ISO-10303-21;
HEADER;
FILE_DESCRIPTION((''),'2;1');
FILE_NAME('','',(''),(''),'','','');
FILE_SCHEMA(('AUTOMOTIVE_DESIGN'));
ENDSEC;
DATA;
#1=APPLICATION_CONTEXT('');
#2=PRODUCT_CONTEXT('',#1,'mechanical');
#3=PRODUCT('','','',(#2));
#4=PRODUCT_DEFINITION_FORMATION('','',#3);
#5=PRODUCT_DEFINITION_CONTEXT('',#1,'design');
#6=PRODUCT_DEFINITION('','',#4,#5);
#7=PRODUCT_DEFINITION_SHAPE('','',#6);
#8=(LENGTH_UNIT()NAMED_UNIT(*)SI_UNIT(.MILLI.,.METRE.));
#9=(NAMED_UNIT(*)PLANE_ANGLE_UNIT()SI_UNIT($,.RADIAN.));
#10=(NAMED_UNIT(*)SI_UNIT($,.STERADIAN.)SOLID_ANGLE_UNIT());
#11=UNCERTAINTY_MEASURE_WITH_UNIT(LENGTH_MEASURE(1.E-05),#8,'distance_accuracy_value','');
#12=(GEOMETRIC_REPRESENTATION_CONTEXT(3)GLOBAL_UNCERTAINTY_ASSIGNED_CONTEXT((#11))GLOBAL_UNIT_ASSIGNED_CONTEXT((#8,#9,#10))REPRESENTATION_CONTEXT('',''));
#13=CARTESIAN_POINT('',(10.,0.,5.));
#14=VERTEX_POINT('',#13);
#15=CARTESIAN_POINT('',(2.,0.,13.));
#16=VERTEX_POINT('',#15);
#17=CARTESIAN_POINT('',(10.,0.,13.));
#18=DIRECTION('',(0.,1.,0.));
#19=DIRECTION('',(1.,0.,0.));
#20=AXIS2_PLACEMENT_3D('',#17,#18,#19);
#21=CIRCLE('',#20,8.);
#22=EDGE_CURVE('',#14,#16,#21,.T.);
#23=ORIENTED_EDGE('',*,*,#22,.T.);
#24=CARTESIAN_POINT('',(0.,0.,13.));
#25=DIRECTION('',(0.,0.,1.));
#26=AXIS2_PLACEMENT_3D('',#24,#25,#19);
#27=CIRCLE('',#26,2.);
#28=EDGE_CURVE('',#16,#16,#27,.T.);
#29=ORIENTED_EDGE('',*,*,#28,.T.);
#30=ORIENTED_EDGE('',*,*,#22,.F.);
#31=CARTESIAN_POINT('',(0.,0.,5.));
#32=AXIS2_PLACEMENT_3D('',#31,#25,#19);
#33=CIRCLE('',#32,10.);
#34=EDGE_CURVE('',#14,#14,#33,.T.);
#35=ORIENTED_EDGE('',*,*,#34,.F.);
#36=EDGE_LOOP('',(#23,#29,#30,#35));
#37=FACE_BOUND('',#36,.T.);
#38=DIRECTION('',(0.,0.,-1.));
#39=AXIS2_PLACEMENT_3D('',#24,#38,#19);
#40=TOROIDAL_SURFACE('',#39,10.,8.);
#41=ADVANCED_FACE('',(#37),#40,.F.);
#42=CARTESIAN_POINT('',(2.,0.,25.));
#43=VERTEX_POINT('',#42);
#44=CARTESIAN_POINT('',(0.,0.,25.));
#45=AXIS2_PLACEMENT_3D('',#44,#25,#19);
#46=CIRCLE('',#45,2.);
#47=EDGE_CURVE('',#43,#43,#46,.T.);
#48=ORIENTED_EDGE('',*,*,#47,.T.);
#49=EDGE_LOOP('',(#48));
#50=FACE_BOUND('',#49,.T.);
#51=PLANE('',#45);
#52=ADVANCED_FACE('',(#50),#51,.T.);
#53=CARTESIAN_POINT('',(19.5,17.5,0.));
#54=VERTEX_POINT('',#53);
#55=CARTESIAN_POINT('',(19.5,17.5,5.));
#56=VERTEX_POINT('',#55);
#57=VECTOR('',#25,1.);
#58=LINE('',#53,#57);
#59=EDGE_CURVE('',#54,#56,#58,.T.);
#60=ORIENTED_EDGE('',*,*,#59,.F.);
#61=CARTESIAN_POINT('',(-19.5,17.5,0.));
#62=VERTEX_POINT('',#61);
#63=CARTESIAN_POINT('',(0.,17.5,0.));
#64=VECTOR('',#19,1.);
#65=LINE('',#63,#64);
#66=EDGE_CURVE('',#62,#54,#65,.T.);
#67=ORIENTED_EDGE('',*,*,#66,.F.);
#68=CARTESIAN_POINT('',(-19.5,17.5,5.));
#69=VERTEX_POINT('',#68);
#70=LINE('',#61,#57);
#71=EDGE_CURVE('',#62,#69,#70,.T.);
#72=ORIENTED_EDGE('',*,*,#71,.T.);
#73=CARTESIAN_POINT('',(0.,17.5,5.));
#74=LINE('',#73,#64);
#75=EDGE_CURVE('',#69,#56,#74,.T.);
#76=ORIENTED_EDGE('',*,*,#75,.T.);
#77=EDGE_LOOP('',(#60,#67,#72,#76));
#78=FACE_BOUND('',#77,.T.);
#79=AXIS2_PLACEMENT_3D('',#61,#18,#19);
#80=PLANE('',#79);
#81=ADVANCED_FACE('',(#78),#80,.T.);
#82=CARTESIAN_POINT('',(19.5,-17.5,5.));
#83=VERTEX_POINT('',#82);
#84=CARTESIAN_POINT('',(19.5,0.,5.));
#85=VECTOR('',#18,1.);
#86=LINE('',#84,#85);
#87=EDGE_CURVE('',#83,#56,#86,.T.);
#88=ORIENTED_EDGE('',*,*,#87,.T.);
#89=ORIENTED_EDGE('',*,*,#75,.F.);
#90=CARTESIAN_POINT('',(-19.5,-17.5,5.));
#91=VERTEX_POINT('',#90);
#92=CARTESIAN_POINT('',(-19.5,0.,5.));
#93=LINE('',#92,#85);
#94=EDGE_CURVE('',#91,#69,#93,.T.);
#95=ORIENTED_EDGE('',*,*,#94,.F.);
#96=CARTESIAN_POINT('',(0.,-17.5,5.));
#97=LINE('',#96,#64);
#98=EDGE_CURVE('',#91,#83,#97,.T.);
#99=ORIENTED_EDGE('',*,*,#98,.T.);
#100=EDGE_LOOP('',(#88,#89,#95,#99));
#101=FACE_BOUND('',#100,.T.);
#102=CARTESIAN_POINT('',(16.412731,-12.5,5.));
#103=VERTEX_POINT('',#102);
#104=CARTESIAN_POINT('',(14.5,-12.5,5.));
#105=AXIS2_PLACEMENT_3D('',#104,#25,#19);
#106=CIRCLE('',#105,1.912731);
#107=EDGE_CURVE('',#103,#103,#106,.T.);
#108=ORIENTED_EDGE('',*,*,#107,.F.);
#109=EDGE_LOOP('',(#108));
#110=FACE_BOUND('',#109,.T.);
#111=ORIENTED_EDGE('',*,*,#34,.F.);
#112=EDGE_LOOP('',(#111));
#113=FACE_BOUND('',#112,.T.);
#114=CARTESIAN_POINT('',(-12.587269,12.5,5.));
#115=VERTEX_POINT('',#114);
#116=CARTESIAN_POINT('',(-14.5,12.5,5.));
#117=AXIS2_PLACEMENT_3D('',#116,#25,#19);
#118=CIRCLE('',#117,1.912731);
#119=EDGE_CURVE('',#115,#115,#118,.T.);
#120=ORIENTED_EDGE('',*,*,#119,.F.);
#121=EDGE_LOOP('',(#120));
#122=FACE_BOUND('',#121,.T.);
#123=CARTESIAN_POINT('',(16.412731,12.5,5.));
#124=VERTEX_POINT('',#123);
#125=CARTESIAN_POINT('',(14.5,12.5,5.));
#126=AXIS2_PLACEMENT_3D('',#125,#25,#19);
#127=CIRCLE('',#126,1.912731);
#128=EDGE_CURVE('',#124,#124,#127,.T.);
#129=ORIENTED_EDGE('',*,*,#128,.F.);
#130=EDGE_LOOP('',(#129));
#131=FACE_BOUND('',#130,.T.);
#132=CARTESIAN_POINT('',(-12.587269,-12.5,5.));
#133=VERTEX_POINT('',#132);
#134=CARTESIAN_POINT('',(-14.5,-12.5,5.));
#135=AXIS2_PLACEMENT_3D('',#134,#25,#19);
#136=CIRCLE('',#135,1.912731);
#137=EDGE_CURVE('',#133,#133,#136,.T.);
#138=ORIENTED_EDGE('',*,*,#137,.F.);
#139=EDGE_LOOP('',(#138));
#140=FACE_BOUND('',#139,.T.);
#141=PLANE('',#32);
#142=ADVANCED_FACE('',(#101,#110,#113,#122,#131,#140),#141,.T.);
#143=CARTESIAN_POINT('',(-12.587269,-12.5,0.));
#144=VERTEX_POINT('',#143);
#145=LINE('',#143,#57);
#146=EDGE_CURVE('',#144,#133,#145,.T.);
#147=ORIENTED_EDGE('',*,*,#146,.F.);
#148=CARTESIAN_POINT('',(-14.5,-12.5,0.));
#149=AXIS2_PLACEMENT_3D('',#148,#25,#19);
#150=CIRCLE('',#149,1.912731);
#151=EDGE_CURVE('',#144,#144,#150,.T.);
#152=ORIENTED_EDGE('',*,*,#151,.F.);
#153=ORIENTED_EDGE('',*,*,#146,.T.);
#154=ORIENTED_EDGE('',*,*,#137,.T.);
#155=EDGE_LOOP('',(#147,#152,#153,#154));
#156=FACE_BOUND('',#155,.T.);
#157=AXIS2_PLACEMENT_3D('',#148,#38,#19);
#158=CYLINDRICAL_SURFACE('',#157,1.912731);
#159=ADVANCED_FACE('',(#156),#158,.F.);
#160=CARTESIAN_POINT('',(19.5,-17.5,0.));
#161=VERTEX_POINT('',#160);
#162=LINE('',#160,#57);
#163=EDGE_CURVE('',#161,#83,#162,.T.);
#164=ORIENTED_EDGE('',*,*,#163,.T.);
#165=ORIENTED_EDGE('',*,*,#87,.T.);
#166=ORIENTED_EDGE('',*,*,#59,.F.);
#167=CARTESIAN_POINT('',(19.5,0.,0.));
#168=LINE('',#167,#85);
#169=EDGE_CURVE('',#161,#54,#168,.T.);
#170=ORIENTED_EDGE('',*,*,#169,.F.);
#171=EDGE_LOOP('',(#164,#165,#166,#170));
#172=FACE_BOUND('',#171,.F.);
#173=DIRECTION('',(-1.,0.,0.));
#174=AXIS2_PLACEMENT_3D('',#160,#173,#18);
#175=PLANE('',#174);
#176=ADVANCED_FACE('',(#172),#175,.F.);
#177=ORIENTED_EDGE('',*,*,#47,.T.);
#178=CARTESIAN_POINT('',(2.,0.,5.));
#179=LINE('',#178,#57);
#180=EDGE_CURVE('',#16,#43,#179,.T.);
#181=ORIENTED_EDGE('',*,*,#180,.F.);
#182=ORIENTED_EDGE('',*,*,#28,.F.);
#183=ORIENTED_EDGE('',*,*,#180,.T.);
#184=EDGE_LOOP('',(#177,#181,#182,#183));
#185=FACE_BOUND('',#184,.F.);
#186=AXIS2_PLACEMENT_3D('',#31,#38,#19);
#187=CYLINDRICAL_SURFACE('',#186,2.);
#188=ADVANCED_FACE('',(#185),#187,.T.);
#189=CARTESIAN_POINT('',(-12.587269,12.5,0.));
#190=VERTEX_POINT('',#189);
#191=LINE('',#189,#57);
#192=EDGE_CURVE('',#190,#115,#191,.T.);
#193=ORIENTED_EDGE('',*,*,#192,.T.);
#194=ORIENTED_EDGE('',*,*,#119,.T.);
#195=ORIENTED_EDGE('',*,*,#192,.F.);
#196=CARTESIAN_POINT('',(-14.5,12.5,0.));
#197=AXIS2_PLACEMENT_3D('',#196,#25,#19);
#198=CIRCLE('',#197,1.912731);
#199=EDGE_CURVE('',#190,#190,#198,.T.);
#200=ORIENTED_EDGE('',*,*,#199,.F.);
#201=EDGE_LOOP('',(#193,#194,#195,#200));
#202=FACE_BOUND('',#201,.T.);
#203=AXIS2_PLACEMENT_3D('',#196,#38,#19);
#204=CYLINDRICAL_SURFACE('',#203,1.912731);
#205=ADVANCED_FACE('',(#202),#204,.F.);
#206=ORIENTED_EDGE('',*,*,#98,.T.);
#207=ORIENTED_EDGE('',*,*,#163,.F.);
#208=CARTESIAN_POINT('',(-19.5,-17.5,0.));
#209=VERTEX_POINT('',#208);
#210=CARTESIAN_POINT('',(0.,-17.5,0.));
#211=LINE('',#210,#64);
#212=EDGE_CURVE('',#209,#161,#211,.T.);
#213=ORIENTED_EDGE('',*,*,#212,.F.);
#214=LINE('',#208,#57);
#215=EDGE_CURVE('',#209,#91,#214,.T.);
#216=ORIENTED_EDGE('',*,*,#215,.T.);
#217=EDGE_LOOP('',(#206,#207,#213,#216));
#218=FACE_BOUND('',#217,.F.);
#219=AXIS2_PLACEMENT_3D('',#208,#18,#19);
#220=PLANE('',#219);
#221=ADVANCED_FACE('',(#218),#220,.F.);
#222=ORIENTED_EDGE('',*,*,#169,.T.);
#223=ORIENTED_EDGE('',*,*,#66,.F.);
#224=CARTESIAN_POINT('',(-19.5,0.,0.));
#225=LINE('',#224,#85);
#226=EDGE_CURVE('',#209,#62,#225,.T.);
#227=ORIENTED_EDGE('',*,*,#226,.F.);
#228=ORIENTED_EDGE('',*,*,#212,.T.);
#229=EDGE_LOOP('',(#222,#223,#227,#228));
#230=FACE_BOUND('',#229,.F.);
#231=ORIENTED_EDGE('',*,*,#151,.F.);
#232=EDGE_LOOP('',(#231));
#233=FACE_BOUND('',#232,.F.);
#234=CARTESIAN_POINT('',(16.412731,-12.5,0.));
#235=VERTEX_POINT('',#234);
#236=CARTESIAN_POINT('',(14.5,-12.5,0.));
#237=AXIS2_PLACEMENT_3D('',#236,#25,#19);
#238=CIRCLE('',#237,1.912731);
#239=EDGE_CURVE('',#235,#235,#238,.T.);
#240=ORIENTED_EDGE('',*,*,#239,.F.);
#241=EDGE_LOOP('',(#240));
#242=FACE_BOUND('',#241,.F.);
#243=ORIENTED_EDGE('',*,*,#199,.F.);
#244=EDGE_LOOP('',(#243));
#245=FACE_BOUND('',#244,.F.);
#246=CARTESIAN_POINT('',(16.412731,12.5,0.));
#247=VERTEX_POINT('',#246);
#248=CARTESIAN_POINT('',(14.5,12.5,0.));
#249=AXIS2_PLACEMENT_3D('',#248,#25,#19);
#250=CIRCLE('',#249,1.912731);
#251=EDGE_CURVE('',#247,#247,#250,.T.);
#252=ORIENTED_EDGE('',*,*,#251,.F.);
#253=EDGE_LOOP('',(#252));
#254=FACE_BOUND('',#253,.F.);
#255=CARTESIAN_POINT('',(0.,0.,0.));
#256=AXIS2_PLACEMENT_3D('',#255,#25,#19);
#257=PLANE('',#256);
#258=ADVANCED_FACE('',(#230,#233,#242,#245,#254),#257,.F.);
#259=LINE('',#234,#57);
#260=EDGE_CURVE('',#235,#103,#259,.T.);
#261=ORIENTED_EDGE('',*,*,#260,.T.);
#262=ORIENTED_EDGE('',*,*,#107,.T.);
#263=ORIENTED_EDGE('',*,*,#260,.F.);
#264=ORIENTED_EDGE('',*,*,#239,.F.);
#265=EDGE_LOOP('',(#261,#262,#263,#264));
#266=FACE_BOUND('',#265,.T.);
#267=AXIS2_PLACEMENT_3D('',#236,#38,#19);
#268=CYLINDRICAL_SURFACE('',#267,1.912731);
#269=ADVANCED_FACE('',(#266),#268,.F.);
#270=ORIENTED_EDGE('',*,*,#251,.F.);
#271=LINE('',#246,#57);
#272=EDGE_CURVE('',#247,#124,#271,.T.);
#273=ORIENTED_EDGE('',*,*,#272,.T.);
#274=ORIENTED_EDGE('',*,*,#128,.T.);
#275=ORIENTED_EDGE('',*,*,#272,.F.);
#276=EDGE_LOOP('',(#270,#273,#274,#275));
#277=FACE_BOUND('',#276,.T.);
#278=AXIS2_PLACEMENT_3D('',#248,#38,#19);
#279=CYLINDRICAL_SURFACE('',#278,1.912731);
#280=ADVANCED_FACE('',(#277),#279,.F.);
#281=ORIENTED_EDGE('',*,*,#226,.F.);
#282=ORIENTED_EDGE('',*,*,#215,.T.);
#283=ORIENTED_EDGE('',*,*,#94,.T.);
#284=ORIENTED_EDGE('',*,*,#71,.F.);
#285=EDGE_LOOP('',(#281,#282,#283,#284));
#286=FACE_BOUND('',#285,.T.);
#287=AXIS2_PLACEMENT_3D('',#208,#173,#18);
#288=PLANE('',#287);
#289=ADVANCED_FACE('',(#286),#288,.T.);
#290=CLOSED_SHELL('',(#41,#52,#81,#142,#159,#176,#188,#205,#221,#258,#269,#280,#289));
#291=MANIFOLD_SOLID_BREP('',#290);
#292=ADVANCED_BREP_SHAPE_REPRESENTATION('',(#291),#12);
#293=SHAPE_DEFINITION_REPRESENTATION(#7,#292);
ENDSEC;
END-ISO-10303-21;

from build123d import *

# Parameters (mm, degrees)
SKETCH1_W           = 39
SKETCH1_H           = 35
SKETCH1_R           = 1.912731322
BOSS_EXTRUDE1_DEPTH = 5
SKETCH2_R           = 2
BOSS_EXTRUDE2_DEPTH = 20
FILLET1_R           = 8


with BuildPart() as part:
    # Sketch1 → Boss-Extrude1 (new body)
    with BuildSketch(Plane.XY):
        Rectangle(SKETCH1_W, SKETCH1_H)
        with Locations((14.5, -12.5)):
            Circle(SKETCH1_R, mode=Mode.SUBTRACT)
        with Locations((14.5, 12.5)):
            Circle(SKETCH1_R, mode=Mode.SUBTRACT)
        with Locations((-14.5, -12.5)):
            Circle(SKETCH1_R, mode=Mode.SUBTRACT)
        with Locations((-14.5, 12.5)):
            Circle(SKETCH1_R, mode=Mode.SUBTRACT)
    extrude(amount=BOSS_EXTRUDE1_DEPTH)

    # Sketch2 → Boss-Extrude2 (add)
    with BuildSketch(Plane.XY.offset(5)):
        Circle(SKETCH2_R)
    extrude(amount=BOSS_EXTRUDE2_DEPTH)

    # Fillet1
    fillet1_edges = [part.edges().sort_by_distance(p)[0] for p in [
        (-2, 0, 5),
    ]]
    fillet(fillet1_edges, radius=FILLET1_R)


solid = part.part
